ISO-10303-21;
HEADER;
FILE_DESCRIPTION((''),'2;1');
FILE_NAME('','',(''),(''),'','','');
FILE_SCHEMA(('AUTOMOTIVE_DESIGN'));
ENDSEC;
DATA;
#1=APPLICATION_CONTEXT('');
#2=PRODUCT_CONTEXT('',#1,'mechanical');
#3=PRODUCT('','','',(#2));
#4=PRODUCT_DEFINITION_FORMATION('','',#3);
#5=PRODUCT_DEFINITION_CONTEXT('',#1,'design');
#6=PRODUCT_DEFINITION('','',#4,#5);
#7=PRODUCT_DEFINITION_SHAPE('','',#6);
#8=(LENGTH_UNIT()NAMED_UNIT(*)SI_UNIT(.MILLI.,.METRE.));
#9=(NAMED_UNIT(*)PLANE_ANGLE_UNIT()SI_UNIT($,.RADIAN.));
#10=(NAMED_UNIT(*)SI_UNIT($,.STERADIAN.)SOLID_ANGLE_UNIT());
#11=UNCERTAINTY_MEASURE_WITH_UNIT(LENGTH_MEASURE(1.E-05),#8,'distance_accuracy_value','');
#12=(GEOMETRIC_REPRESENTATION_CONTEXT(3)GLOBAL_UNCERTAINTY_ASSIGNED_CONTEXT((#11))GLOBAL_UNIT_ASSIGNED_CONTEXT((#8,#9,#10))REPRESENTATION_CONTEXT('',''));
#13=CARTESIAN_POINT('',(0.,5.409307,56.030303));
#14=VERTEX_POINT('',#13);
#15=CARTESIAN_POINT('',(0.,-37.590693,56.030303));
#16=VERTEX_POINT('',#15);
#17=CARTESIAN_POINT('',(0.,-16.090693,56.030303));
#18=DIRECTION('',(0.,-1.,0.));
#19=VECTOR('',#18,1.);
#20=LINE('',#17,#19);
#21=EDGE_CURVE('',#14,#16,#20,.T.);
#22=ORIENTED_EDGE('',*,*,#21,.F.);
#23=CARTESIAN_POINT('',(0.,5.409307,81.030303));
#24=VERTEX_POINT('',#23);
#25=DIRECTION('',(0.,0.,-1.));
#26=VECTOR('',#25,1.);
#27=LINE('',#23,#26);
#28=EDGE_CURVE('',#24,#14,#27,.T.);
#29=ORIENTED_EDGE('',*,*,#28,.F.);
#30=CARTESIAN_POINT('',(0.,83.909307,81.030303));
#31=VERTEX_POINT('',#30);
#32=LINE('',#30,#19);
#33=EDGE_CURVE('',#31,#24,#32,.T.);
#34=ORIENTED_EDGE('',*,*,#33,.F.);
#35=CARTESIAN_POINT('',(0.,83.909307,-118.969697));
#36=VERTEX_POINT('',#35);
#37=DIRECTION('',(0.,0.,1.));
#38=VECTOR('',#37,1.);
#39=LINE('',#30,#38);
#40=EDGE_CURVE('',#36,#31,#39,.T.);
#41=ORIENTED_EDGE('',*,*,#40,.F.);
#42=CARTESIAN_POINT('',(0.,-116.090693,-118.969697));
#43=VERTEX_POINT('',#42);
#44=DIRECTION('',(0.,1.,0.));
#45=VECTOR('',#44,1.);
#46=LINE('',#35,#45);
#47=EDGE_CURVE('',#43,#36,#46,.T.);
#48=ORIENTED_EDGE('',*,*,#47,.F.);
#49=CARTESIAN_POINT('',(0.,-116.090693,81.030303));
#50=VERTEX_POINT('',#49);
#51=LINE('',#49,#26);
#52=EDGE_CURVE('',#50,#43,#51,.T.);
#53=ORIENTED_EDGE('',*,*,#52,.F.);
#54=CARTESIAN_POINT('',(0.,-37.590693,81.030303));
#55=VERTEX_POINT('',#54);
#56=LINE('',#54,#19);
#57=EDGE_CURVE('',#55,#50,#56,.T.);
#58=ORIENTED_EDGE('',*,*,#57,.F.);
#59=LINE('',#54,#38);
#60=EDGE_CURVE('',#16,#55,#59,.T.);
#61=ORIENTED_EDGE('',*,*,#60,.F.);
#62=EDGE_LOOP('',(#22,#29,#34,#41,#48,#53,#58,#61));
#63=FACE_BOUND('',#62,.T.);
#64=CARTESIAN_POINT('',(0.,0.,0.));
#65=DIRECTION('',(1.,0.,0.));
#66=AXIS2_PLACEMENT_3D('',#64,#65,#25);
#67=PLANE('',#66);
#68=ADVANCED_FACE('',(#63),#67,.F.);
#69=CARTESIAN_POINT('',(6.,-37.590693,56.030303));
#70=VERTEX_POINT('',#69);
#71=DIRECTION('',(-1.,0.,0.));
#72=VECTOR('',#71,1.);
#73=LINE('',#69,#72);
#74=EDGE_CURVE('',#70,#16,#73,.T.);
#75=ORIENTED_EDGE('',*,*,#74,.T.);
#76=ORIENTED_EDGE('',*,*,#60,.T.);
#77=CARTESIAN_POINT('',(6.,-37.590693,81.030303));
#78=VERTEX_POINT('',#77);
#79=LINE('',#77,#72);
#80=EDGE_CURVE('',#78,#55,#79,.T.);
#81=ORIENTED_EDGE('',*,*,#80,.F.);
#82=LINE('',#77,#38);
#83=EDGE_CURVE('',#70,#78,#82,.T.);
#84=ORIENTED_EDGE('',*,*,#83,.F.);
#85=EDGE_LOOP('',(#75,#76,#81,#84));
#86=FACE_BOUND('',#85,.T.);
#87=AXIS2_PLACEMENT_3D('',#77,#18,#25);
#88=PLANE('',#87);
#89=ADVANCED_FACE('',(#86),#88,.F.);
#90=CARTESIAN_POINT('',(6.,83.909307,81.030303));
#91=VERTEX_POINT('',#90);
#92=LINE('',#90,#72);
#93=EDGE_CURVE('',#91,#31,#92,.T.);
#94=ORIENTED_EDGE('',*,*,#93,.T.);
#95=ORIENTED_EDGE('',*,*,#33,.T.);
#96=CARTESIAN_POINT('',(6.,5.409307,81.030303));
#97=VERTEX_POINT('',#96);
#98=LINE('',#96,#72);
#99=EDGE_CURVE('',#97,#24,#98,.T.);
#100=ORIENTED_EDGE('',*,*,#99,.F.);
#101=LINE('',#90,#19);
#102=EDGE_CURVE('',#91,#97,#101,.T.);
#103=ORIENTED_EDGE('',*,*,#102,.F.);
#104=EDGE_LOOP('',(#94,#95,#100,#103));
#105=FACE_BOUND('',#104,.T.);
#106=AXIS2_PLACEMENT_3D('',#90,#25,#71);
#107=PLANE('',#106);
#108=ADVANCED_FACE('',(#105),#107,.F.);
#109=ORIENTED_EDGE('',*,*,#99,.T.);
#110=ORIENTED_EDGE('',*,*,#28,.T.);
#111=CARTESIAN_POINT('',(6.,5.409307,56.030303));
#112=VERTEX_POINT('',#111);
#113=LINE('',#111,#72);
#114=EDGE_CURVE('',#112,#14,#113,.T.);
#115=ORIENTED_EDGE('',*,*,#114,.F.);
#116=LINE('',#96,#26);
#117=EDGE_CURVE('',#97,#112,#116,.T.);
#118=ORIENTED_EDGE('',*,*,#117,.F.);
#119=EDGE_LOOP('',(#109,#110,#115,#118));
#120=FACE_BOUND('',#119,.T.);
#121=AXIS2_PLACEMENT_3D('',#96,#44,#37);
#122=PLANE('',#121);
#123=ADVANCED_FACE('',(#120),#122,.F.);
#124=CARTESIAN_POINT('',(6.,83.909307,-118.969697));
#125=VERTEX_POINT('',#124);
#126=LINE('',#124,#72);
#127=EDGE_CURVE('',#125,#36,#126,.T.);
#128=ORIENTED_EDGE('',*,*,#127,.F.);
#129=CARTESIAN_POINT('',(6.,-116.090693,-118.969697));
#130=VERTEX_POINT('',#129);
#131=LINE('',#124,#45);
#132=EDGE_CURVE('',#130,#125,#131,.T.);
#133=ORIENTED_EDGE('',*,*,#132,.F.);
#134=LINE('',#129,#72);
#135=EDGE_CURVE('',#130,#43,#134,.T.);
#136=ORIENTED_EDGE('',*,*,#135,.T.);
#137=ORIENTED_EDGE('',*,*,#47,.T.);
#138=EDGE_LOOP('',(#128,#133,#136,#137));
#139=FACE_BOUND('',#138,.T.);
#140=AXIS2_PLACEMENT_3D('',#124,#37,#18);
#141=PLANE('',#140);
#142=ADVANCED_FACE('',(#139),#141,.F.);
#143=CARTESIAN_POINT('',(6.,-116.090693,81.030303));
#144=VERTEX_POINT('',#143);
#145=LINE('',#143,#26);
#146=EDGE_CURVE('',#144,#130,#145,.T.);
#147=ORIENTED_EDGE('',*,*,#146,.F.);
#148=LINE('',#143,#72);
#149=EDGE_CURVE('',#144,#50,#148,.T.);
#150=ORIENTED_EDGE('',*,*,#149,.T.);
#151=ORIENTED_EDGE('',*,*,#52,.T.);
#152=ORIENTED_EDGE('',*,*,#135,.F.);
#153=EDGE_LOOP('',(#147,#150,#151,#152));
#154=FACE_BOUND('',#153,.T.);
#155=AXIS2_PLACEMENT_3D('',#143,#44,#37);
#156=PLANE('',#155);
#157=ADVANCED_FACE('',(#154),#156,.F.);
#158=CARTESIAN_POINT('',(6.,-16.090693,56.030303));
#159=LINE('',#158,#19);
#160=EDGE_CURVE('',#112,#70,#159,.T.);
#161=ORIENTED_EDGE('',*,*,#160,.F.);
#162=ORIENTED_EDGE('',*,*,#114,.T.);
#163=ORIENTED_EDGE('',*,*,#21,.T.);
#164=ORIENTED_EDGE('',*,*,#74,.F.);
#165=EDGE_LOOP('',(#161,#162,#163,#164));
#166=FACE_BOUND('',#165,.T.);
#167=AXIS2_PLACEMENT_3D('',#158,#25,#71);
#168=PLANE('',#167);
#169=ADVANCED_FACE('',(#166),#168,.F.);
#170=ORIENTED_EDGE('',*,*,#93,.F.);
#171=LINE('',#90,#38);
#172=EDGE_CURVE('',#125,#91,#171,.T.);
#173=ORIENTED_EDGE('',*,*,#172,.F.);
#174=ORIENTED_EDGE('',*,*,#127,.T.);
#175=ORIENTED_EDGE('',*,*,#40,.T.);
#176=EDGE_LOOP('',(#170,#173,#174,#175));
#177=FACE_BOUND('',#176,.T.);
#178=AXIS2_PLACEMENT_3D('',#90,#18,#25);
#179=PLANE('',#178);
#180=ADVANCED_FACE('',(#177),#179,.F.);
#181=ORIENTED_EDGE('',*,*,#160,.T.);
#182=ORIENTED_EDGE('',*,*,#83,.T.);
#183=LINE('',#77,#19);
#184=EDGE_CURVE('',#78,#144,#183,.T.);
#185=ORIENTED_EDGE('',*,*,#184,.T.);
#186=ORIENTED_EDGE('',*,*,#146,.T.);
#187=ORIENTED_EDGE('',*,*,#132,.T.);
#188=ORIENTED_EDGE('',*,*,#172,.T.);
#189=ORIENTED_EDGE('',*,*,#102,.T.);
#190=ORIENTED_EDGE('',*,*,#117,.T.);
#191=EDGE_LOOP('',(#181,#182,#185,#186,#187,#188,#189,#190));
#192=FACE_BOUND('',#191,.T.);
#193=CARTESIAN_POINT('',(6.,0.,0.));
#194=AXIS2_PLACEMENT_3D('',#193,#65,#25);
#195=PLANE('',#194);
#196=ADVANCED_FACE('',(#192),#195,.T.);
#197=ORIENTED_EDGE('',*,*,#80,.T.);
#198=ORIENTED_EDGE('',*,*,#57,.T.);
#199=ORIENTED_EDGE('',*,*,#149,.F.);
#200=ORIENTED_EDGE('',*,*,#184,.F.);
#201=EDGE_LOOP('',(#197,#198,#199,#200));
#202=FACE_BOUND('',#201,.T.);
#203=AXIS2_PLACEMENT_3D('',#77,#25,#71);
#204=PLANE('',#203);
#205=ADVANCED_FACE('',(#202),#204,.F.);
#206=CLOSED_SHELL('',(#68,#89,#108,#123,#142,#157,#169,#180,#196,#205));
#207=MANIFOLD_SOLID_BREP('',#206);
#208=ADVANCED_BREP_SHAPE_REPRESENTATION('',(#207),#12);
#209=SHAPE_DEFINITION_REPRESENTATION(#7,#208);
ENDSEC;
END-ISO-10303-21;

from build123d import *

# Parameters (mm, degrees)
BOSS_EXTRUDE1_DEPTH = 6


with BuildPart() as part:
    # Sketch1 → Boss-Extrude1 (new body)
    with BuildSketch(Plane(origin=(0, 0, 0), x_dir=(0, 0, -1), z_dir=(1, 0, 0))):
        Polygon((-81.03030303, -37.59069275), (-81.03030303, -116.09069275), (118.96969697, -116.09069275), (118.96969697, 83.90930725), (-81.03030303, 83.90930725), (-81.03030303, 5.40930725), (-56.03030303, 5.40930725), (-56.03030303, -16.09069275), (-56.03030303, -37.59069275), align=None)
    extrude(amount=BOSS_EXTRUDE1_DEPTH)


solid = part.part
